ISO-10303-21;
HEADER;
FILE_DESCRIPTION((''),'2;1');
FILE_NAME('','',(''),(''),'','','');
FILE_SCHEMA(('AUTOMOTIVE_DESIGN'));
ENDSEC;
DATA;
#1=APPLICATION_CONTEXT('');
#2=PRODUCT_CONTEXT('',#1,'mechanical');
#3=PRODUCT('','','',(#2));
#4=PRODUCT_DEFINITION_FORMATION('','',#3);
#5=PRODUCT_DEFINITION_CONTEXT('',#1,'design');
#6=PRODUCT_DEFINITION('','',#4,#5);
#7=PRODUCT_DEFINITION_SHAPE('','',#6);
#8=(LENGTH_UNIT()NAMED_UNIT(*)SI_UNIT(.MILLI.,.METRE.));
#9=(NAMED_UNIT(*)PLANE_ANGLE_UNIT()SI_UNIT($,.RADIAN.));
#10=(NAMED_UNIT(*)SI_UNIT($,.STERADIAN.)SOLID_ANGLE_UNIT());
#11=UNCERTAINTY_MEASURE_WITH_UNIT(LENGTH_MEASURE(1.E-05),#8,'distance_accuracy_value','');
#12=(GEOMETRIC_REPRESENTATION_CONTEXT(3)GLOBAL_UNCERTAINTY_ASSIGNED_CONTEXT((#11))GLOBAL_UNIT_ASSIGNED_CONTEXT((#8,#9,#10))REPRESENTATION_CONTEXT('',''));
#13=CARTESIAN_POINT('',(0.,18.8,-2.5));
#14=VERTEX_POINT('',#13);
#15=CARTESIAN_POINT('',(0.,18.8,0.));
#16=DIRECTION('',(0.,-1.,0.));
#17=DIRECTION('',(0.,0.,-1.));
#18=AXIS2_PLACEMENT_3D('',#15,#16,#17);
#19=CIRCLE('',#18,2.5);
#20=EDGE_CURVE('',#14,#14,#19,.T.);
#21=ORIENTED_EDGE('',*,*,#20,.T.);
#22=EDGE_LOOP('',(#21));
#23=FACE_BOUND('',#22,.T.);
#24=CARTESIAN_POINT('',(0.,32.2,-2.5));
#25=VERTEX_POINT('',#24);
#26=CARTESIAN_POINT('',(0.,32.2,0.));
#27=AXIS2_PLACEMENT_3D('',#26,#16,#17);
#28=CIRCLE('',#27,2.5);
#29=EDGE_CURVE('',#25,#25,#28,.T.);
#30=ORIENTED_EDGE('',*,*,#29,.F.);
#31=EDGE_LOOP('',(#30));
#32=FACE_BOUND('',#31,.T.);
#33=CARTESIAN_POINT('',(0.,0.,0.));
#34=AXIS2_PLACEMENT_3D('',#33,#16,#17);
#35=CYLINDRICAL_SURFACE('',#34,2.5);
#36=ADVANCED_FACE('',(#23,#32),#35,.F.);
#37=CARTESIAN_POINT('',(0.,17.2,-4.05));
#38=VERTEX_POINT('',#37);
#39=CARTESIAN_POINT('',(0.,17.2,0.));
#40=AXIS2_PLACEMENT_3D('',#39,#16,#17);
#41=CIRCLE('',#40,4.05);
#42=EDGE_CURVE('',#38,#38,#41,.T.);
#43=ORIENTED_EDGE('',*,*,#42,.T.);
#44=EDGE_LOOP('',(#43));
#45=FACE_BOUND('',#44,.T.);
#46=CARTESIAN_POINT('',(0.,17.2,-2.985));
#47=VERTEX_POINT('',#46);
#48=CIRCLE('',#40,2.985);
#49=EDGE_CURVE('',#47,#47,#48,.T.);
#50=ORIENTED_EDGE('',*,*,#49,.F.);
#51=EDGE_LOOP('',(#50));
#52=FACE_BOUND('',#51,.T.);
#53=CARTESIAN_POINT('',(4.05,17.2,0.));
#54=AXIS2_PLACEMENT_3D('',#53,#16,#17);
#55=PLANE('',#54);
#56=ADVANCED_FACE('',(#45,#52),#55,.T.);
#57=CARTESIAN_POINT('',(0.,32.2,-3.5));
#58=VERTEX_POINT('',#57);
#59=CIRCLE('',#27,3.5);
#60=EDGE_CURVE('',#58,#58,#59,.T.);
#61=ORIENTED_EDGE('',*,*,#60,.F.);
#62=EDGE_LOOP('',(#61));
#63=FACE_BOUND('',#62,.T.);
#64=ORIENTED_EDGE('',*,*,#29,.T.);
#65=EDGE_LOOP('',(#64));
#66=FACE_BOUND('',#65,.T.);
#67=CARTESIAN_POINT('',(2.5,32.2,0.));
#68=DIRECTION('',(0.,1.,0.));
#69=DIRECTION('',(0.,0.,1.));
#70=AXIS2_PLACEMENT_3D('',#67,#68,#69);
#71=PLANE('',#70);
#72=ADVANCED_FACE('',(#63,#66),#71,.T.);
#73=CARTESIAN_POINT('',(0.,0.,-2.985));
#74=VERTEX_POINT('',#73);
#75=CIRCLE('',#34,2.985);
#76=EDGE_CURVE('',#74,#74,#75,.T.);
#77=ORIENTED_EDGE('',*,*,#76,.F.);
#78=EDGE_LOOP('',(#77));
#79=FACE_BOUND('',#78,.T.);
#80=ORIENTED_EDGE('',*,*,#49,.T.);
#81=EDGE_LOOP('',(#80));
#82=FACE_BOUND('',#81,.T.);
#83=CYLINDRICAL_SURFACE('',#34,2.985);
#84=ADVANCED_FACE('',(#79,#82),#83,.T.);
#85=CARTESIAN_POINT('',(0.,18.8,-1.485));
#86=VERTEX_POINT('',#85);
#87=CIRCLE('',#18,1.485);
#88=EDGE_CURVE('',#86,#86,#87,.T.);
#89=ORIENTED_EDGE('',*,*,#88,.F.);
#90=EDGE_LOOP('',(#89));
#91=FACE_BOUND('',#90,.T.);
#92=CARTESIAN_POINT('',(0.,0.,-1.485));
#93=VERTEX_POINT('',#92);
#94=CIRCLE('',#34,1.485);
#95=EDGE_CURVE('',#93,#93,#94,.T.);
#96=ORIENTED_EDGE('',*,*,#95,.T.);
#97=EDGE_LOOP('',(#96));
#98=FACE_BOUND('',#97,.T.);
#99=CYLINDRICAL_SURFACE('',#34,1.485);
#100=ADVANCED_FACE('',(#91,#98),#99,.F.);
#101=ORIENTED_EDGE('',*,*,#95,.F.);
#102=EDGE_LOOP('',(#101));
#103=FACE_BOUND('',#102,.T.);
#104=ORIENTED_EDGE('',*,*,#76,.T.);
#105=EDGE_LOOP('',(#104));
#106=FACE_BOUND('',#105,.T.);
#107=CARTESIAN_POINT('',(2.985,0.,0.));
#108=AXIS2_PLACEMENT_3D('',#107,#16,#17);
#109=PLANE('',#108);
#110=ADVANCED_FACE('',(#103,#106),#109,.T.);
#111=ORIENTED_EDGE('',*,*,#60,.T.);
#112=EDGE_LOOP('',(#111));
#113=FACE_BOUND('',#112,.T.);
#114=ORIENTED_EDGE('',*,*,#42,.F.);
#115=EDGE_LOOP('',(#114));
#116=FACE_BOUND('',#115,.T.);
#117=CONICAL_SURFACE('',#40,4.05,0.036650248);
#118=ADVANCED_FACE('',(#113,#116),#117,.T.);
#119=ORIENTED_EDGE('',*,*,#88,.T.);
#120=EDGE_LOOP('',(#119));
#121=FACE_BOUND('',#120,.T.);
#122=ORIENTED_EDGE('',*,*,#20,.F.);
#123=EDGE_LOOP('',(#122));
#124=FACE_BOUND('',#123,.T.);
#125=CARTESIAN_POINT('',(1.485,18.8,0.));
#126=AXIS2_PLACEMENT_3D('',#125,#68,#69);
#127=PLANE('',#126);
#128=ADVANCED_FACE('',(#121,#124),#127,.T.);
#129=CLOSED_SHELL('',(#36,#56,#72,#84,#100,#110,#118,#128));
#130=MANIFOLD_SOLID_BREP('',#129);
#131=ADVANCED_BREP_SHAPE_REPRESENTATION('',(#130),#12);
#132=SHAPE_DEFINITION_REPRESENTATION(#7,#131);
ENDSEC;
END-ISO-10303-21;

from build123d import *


with BuildPart() as part:
    # Schizzo1 → Rivoluzione1 (revolve)
    with BuildSketch(Plane.XY, mode=Mode.PRIVATE) as rivoluzione1_sk:
        Polygon((1.485, 0), (1.485, 18.8), (2.5, 18.8), (2.5, 32.2), (3.5, 32.2), (4.05, 17.2), (2.985, 17.2), (2.985, 0), align=None)
    revolve(rivoluzione1_sk.sketch.rotate(Axis((0, 0, 0), (0, 1, 0)), 90), axis=Axis((0, 0, 0), (0, 1, 0)))


solid = part.part
